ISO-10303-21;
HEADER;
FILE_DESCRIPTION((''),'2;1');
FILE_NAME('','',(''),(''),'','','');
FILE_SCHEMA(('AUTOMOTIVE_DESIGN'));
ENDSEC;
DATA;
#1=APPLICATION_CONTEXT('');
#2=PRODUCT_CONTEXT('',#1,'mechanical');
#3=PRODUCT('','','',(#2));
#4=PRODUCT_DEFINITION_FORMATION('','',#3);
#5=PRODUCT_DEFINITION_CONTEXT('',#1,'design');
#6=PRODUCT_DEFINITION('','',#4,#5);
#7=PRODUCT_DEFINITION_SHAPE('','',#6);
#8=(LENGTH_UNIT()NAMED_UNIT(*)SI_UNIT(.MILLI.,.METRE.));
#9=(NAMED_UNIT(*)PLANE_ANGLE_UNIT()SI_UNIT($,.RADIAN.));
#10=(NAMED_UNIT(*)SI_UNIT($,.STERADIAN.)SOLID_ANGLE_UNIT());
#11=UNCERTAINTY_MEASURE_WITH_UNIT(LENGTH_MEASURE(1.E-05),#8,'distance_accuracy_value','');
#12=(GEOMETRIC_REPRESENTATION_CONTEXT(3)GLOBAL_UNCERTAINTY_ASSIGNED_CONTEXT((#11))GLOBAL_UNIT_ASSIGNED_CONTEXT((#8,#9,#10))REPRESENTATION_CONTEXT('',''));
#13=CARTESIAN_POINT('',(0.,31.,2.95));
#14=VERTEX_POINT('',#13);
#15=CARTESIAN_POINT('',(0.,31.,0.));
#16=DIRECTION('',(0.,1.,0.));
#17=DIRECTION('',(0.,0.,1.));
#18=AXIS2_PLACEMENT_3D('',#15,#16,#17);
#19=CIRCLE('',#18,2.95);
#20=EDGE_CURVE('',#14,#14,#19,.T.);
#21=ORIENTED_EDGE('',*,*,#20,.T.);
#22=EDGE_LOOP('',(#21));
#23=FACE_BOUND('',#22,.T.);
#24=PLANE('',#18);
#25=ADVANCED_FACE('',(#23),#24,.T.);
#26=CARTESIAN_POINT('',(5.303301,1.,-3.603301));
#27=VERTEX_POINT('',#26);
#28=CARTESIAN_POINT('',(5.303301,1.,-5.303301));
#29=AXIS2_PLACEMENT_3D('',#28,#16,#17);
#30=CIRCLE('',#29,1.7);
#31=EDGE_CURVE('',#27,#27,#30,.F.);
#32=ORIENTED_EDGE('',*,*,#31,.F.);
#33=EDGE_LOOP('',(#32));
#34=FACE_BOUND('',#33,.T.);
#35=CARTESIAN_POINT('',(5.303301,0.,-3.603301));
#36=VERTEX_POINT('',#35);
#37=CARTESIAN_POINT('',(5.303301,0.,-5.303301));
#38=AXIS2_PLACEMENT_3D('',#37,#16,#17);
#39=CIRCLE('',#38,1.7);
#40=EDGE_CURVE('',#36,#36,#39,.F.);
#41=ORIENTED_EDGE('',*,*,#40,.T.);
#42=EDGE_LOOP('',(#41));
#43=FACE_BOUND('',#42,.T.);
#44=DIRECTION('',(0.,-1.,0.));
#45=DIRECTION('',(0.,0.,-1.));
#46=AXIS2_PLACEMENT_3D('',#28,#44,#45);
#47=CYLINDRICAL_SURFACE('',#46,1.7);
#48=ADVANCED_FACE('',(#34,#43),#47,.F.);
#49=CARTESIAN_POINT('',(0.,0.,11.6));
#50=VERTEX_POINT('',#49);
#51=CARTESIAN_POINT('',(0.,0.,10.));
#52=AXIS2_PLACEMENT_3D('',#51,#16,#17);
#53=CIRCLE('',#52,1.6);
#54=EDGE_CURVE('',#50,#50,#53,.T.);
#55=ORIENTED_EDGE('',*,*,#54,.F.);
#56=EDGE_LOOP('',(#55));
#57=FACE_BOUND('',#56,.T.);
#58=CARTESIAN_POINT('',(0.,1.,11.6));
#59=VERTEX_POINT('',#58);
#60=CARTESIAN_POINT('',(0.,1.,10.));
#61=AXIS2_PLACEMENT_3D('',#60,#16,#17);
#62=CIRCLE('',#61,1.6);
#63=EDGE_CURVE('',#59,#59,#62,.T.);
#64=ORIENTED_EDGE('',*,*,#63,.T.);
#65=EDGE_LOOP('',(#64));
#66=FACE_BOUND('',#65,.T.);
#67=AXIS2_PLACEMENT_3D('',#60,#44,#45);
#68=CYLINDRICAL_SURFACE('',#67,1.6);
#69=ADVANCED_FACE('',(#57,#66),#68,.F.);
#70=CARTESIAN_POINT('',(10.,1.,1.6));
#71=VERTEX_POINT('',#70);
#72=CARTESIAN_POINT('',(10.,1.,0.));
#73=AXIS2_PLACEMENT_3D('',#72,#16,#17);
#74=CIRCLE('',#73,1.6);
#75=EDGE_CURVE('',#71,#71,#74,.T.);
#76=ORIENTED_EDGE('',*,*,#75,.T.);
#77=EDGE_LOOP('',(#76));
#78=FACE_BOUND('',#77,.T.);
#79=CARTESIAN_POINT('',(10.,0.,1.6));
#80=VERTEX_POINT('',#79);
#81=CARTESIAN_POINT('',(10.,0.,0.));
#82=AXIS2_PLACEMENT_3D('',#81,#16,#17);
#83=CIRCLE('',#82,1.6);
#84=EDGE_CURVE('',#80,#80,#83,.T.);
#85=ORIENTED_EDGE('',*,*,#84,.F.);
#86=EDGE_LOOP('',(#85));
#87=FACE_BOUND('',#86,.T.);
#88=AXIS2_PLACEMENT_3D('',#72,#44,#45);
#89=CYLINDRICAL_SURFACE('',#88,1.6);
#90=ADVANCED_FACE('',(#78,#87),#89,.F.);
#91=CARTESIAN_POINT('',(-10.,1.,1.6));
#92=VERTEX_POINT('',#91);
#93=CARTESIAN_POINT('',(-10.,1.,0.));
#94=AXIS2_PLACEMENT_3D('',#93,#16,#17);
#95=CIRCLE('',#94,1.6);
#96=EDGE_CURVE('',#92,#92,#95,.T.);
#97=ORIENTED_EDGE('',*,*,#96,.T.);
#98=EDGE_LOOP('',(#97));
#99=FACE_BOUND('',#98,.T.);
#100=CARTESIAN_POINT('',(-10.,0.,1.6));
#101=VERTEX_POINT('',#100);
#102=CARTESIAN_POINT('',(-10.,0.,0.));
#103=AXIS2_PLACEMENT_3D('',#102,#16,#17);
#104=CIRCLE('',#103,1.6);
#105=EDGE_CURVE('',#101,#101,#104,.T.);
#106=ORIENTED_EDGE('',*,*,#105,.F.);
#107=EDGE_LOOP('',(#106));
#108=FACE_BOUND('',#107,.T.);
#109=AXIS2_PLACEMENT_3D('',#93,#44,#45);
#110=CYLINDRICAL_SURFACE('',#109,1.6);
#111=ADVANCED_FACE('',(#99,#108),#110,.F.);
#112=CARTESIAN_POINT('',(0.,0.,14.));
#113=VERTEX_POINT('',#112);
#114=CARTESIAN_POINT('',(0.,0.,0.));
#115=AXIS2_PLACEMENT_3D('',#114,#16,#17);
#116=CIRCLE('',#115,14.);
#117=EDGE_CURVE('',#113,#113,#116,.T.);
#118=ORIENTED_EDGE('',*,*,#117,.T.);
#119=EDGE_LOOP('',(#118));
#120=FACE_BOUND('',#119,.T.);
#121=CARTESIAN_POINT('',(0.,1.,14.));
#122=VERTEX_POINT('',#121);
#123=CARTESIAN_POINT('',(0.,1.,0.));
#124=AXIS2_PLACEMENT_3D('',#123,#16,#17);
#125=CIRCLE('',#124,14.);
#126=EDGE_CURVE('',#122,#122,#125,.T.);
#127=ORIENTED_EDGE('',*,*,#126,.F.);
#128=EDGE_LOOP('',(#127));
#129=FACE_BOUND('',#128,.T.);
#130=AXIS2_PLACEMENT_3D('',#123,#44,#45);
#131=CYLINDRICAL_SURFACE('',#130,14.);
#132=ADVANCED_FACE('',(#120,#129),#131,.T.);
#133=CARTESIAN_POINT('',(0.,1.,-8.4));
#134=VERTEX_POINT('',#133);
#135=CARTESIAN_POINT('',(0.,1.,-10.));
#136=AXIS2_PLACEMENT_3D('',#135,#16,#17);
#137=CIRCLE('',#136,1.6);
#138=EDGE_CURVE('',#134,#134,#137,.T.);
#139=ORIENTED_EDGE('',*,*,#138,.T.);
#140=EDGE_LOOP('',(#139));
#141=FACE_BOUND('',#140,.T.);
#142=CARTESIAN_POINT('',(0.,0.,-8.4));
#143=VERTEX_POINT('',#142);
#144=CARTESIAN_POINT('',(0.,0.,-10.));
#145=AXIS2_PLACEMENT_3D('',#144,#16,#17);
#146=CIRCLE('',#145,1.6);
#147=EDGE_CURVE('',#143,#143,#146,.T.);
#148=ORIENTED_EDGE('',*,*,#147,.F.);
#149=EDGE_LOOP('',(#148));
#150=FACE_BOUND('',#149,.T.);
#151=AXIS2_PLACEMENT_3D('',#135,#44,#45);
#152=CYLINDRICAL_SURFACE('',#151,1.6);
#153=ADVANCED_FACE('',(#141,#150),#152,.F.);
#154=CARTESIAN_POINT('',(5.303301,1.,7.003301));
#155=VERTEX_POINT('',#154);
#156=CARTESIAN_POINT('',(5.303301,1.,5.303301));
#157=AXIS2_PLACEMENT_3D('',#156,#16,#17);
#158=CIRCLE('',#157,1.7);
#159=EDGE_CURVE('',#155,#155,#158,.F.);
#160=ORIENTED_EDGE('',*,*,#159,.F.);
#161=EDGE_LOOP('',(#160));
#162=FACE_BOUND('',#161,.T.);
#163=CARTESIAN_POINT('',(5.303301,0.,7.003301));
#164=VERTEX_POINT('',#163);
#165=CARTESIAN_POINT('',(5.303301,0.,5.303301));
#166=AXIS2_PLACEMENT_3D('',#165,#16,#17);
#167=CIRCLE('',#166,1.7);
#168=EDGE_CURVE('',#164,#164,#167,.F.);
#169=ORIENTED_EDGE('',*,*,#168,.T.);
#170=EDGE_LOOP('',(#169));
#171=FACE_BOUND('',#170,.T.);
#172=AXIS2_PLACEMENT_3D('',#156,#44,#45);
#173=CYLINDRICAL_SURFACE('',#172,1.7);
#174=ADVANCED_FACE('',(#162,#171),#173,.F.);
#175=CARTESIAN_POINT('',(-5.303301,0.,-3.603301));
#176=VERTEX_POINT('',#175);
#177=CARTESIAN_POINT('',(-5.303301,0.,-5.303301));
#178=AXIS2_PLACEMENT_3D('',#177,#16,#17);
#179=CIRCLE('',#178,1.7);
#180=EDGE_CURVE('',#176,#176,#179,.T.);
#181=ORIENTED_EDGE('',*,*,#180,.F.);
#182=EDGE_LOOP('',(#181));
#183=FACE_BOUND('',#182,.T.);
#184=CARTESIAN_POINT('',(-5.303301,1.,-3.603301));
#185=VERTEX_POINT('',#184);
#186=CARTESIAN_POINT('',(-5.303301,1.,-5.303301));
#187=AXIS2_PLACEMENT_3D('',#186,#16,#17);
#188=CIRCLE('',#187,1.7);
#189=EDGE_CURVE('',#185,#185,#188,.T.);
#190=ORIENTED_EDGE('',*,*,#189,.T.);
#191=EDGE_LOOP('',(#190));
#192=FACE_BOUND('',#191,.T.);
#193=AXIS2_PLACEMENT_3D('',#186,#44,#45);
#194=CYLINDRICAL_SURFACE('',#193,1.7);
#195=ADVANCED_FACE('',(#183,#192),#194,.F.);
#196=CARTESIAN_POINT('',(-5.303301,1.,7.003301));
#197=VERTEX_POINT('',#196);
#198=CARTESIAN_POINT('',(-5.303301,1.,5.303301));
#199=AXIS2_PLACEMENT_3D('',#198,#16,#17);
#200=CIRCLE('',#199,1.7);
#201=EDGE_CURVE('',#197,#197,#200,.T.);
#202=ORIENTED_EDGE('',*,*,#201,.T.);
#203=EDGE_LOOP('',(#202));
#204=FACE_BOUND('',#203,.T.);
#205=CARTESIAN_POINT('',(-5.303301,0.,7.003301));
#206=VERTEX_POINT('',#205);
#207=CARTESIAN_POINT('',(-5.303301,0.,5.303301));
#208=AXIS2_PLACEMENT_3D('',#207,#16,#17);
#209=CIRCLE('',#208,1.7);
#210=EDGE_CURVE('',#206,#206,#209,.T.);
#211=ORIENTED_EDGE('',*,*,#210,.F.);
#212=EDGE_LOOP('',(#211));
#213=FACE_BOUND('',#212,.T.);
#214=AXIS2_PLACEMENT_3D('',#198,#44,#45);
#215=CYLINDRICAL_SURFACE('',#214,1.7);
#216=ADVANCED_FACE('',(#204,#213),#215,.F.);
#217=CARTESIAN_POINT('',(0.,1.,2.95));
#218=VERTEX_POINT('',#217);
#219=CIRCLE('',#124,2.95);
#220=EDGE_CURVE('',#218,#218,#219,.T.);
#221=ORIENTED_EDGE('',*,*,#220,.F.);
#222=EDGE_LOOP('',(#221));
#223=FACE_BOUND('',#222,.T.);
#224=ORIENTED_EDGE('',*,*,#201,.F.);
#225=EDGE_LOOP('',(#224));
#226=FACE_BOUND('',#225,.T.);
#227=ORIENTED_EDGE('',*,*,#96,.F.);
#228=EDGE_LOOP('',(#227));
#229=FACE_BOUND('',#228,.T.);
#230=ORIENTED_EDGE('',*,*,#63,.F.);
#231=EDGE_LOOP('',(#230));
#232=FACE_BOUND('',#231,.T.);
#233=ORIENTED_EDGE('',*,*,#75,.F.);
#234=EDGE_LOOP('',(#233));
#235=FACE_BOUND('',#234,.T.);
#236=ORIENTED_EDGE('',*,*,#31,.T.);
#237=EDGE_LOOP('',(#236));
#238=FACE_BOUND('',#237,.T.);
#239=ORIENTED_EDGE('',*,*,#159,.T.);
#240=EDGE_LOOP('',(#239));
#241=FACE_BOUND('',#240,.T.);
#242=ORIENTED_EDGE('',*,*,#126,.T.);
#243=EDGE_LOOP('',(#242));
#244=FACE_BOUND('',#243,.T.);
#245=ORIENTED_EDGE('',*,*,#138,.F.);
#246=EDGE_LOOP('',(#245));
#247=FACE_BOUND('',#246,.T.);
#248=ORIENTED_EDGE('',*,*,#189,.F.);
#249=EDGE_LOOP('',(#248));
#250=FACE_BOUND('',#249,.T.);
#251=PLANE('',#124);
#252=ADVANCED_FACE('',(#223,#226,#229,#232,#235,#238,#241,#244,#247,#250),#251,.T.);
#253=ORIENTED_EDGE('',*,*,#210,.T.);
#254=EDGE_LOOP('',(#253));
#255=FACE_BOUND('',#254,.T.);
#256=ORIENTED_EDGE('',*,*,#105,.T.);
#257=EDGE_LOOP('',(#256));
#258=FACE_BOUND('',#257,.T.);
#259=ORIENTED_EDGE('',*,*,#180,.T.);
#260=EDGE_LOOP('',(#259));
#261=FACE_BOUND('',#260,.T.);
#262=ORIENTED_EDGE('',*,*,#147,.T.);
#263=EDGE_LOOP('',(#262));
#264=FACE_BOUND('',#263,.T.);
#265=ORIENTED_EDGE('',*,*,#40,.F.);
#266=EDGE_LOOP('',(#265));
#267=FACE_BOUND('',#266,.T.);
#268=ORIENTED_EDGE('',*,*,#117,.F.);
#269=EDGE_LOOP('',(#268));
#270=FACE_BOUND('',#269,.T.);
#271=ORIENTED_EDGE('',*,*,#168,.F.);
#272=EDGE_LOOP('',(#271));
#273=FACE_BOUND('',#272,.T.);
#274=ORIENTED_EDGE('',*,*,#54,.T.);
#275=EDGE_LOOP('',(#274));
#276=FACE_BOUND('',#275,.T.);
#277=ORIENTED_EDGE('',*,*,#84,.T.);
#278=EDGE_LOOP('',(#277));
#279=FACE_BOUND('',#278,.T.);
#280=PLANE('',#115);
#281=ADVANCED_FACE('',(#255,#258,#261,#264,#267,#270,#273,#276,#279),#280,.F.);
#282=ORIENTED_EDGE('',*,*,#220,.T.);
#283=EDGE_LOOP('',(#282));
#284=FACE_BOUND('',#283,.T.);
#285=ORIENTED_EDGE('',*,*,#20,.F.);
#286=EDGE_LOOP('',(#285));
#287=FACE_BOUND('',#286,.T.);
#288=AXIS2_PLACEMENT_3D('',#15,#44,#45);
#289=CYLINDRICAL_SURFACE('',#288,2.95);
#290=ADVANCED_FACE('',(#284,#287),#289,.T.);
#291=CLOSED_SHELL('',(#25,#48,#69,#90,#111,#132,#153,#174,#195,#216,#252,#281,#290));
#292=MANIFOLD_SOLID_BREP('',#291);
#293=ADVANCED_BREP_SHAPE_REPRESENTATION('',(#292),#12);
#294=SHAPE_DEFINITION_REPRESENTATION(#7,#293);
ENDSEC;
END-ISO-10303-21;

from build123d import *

# Parameters (mm, degrees)
SKETCH1_R           = 14
SKETCH1_R_2         = 1.6
SKETCH1_R_3         = 1.7
SKETCH1_R_4         = 2.95
BOSS_EXTRUDE1_DEPTH = 1
SKETCH1_3_R         = 2.95
BOSS_EXTRUDE2_DEPTH = 31


with BuildPart() as part:
    # Sketch1 → Boss-Extrude1 (new body)
    with BuildSketch(Plane(origin=(0, 0, 0), x_dir=(1, 0, 0), z_dir=(0, 1, 0))):
        Circle(SKETCH1_R)
        with Locations((0, 10)):
            Circle(SKETCH1_R_2, mode=Mode.SUBTRACT)
        with Locations((-10, 0)):
            Circle(SKETCH1_R_2, mode=Mode.SUBTRACT)
        with Locations((0, -10)):
            Circle(SKETCH1_R_2, mode=Mode.SUBTRACT)
        with Locations((10, 0)):
            Circle(SKETCH1_R_2, mode=Mode.SUBTRACT)
        with Locations((5.303300859, -5.303300859)):
            Circle(SKETCH1_R_3, mode=Mode.SUBTRACT)
        with Locations((-5.303300859, 5.303300859)):
            Circle(SKETCH1_R_3, mode=Mode.SUBTRACT)
        Circle(SKETCH1_R_4, mode=Mode.SUBTRACT)
        with Locations((5.303300859, 5.303300859)):
            Circle(SKETCH1_R_3, mode=Mode.SUBTRACT)
        with Locations((-5.303300859, -5.303300859)):
            Circle(SKETCH1_R_3, mode=Mode.SUBTRACT)
    extrude(amount=BOSS_EXTRUDE1_DEPTH)

    # Sketch1<3> → Boss-Extrude2 (add)
    with BuildSketch(Plane(origin=(0, 0, 0), x_dir=(1, 0, 0), z_dir=(0, 1, 0))):
        Circle(SKETCH1_3_R)
    extrude(amount=BOSS_EXTRUDE2_DEPTH)


solid = part.part
